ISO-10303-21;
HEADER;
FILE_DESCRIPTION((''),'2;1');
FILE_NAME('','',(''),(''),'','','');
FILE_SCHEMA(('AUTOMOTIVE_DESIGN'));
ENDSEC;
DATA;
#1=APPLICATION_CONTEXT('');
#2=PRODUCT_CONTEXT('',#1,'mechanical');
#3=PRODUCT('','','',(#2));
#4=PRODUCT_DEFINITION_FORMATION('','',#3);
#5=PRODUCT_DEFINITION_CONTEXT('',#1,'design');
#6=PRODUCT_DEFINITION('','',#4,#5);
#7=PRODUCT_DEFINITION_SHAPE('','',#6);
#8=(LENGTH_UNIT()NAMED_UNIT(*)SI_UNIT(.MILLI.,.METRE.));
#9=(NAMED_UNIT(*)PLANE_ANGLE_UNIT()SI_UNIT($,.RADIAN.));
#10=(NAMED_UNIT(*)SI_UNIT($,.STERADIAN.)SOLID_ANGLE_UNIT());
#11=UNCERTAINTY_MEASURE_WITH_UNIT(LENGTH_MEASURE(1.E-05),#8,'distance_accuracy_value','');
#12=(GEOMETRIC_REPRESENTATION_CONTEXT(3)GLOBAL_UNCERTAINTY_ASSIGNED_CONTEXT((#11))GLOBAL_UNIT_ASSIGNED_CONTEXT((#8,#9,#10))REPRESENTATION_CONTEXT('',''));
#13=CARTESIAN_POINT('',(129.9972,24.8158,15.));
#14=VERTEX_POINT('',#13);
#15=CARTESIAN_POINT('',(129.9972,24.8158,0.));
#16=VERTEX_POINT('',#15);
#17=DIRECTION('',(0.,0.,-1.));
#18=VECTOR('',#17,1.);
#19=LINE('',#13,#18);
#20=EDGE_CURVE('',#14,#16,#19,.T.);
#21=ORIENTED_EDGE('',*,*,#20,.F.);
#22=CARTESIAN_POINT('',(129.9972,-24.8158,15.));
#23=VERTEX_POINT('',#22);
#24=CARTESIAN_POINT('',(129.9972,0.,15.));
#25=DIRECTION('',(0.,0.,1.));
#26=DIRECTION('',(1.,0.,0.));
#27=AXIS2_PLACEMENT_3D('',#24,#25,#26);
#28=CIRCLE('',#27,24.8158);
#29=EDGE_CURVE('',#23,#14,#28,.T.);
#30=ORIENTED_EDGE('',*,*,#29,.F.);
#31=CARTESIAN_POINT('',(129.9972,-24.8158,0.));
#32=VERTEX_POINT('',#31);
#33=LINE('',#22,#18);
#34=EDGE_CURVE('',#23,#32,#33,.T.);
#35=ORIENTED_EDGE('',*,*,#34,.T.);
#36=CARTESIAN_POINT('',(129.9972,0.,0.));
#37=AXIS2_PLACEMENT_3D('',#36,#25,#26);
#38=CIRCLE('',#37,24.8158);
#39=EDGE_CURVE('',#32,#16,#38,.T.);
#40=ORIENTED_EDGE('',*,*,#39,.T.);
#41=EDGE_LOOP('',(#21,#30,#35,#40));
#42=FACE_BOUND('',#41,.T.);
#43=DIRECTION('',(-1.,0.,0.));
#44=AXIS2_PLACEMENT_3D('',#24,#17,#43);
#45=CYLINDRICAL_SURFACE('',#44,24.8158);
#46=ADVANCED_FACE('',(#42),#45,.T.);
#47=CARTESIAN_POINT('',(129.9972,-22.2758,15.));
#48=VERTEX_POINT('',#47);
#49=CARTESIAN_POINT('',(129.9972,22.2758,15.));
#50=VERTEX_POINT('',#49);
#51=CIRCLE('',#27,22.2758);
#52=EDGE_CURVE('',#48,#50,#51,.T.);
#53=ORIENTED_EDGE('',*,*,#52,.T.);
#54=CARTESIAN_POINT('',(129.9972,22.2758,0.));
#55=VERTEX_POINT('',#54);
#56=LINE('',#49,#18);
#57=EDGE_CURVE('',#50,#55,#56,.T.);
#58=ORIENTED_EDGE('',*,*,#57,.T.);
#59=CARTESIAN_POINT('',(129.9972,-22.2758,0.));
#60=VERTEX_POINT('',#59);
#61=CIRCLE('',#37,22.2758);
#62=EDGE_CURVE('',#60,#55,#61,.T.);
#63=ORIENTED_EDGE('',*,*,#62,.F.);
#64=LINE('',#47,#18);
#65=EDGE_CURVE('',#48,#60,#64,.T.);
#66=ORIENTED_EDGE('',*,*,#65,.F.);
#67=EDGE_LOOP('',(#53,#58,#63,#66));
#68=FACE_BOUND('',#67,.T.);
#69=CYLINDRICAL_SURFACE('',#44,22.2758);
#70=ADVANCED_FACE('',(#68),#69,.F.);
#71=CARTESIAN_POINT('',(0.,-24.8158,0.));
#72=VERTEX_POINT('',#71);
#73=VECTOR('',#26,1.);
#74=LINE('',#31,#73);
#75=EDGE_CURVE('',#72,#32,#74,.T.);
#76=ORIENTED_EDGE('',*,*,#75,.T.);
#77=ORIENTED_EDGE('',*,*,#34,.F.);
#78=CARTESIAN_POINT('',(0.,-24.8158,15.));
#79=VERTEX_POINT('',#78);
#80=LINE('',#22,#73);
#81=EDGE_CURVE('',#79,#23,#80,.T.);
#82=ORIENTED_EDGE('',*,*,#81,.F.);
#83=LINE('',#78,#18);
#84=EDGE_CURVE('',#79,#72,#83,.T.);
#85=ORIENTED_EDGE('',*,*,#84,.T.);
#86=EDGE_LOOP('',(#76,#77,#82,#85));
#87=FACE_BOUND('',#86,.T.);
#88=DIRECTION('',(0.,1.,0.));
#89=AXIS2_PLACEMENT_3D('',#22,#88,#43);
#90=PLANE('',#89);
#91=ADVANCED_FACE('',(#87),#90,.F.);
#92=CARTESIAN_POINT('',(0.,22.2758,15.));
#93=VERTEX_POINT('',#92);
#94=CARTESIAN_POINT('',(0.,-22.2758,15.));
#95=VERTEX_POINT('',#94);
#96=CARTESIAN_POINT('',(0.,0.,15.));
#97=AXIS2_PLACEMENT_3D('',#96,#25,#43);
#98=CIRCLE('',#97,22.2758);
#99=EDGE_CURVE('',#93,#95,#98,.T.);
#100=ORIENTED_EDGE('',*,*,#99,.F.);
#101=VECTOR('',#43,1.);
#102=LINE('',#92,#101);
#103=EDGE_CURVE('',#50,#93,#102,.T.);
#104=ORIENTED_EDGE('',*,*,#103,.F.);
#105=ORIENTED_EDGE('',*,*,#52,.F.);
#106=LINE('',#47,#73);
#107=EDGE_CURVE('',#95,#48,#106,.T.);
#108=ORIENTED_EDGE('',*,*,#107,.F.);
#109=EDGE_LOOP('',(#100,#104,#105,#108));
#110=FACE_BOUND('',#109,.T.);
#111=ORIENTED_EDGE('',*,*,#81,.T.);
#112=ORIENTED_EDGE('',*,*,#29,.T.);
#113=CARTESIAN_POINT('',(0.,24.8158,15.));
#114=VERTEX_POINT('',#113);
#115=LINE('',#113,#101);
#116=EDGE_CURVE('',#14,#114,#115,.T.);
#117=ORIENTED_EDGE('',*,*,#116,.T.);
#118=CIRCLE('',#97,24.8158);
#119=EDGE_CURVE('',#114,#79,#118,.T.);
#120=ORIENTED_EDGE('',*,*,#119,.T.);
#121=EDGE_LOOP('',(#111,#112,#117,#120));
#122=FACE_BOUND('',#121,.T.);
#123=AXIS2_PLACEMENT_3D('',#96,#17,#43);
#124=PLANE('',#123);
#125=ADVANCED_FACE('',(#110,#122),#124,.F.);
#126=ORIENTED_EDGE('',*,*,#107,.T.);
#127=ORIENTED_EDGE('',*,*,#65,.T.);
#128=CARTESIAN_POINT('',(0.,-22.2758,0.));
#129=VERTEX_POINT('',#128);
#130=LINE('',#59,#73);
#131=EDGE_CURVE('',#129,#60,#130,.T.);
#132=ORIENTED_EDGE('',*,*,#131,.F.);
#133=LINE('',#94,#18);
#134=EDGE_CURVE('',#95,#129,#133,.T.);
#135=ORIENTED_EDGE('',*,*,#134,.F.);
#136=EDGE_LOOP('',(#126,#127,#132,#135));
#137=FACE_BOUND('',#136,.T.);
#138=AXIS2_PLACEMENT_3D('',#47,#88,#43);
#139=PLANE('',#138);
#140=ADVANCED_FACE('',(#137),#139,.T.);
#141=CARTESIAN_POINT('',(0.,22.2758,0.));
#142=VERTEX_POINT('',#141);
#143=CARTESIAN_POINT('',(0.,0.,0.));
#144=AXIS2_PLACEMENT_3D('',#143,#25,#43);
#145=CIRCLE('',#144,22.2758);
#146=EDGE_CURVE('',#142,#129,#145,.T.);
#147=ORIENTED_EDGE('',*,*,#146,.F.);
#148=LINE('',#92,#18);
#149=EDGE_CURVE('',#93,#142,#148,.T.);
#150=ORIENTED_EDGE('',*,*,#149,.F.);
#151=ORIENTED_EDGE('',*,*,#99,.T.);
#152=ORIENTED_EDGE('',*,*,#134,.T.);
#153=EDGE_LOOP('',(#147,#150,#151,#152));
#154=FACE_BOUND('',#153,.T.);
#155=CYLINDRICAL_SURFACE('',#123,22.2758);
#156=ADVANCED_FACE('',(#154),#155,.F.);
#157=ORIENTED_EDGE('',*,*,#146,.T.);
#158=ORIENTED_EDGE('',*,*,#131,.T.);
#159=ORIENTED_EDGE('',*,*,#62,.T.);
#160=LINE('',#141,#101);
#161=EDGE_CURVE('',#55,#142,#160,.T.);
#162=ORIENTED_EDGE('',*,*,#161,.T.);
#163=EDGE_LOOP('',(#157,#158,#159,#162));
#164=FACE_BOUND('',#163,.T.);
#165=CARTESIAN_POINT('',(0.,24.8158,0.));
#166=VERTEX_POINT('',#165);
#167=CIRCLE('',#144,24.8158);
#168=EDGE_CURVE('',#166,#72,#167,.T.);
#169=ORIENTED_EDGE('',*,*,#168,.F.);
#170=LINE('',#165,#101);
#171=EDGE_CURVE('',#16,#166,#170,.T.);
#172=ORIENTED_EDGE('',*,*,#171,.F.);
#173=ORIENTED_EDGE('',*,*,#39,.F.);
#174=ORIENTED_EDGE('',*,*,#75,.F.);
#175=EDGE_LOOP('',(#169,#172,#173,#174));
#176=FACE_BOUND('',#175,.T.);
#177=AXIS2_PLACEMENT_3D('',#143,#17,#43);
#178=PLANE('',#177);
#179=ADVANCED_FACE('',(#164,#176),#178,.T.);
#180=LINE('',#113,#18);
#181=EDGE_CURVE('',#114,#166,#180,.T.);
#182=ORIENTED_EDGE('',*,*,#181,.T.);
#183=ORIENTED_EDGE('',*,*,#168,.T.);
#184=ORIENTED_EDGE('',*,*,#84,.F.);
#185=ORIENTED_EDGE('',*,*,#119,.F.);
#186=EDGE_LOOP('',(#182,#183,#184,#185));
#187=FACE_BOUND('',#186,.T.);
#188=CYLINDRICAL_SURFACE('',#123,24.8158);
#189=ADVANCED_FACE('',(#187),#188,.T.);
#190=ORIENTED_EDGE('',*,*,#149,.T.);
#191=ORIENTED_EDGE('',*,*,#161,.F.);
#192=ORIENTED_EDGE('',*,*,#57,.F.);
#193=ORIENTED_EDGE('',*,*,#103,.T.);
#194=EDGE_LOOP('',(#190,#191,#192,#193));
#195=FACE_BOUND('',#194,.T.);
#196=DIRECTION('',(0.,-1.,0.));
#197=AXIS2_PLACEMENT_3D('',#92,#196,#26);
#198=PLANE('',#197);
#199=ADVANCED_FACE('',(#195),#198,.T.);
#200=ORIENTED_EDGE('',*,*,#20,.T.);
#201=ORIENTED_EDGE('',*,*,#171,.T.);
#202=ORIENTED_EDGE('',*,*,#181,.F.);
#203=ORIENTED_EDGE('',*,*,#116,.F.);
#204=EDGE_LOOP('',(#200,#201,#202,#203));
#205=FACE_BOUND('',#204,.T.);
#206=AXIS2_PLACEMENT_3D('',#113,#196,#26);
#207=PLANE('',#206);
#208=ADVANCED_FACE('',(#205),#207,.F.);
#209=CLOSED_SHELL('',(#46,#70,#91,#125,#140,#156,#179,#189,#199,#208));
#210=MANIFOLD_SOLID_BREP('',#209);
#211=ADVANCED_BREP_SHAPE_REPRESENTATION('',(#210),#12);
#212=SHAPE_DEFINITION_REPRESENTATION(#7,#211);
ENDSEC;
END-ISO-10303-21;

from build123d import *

# Parameters (mm, degrees)
BOSS_EXTRUDE1_DEPTH = 15


with BuildPart() as part:
    # Sketch1 → Boss-Extrude1 (new body)
    with BuildSketch(Plane.XY):
        with BuildLine():
            Line((0, 24.8158), (129.9972, 24.8158))
            ThreePointArc((129.9972, 24.8158), (154.813, 0), (129.9972, -24.8158))
            Line((129.9972, -24.8158), (0, -24.8158))
            ThreePointArc((0, -24.8158), (-24.8158, 0), (0, 24.8158))
        make_face()
        with BuildLine():
            Line((0, 22.2758), (129.9972, 22.2758))
            ThreePointArc((129.9972, 22.2758), (152.273, 0), (129.9972, -22.2758))
            Line((129.9972, -22.2758), (0, -22.2758))
            ThreePointArc((0, -22.2758), (-22.2758, 0), (0, 22.2758))
        make_face(mode=Mode.SUBTRACT)
    extrude(amount=BOSS_EXTRUDE1_DEPTH)


solid = part.part
